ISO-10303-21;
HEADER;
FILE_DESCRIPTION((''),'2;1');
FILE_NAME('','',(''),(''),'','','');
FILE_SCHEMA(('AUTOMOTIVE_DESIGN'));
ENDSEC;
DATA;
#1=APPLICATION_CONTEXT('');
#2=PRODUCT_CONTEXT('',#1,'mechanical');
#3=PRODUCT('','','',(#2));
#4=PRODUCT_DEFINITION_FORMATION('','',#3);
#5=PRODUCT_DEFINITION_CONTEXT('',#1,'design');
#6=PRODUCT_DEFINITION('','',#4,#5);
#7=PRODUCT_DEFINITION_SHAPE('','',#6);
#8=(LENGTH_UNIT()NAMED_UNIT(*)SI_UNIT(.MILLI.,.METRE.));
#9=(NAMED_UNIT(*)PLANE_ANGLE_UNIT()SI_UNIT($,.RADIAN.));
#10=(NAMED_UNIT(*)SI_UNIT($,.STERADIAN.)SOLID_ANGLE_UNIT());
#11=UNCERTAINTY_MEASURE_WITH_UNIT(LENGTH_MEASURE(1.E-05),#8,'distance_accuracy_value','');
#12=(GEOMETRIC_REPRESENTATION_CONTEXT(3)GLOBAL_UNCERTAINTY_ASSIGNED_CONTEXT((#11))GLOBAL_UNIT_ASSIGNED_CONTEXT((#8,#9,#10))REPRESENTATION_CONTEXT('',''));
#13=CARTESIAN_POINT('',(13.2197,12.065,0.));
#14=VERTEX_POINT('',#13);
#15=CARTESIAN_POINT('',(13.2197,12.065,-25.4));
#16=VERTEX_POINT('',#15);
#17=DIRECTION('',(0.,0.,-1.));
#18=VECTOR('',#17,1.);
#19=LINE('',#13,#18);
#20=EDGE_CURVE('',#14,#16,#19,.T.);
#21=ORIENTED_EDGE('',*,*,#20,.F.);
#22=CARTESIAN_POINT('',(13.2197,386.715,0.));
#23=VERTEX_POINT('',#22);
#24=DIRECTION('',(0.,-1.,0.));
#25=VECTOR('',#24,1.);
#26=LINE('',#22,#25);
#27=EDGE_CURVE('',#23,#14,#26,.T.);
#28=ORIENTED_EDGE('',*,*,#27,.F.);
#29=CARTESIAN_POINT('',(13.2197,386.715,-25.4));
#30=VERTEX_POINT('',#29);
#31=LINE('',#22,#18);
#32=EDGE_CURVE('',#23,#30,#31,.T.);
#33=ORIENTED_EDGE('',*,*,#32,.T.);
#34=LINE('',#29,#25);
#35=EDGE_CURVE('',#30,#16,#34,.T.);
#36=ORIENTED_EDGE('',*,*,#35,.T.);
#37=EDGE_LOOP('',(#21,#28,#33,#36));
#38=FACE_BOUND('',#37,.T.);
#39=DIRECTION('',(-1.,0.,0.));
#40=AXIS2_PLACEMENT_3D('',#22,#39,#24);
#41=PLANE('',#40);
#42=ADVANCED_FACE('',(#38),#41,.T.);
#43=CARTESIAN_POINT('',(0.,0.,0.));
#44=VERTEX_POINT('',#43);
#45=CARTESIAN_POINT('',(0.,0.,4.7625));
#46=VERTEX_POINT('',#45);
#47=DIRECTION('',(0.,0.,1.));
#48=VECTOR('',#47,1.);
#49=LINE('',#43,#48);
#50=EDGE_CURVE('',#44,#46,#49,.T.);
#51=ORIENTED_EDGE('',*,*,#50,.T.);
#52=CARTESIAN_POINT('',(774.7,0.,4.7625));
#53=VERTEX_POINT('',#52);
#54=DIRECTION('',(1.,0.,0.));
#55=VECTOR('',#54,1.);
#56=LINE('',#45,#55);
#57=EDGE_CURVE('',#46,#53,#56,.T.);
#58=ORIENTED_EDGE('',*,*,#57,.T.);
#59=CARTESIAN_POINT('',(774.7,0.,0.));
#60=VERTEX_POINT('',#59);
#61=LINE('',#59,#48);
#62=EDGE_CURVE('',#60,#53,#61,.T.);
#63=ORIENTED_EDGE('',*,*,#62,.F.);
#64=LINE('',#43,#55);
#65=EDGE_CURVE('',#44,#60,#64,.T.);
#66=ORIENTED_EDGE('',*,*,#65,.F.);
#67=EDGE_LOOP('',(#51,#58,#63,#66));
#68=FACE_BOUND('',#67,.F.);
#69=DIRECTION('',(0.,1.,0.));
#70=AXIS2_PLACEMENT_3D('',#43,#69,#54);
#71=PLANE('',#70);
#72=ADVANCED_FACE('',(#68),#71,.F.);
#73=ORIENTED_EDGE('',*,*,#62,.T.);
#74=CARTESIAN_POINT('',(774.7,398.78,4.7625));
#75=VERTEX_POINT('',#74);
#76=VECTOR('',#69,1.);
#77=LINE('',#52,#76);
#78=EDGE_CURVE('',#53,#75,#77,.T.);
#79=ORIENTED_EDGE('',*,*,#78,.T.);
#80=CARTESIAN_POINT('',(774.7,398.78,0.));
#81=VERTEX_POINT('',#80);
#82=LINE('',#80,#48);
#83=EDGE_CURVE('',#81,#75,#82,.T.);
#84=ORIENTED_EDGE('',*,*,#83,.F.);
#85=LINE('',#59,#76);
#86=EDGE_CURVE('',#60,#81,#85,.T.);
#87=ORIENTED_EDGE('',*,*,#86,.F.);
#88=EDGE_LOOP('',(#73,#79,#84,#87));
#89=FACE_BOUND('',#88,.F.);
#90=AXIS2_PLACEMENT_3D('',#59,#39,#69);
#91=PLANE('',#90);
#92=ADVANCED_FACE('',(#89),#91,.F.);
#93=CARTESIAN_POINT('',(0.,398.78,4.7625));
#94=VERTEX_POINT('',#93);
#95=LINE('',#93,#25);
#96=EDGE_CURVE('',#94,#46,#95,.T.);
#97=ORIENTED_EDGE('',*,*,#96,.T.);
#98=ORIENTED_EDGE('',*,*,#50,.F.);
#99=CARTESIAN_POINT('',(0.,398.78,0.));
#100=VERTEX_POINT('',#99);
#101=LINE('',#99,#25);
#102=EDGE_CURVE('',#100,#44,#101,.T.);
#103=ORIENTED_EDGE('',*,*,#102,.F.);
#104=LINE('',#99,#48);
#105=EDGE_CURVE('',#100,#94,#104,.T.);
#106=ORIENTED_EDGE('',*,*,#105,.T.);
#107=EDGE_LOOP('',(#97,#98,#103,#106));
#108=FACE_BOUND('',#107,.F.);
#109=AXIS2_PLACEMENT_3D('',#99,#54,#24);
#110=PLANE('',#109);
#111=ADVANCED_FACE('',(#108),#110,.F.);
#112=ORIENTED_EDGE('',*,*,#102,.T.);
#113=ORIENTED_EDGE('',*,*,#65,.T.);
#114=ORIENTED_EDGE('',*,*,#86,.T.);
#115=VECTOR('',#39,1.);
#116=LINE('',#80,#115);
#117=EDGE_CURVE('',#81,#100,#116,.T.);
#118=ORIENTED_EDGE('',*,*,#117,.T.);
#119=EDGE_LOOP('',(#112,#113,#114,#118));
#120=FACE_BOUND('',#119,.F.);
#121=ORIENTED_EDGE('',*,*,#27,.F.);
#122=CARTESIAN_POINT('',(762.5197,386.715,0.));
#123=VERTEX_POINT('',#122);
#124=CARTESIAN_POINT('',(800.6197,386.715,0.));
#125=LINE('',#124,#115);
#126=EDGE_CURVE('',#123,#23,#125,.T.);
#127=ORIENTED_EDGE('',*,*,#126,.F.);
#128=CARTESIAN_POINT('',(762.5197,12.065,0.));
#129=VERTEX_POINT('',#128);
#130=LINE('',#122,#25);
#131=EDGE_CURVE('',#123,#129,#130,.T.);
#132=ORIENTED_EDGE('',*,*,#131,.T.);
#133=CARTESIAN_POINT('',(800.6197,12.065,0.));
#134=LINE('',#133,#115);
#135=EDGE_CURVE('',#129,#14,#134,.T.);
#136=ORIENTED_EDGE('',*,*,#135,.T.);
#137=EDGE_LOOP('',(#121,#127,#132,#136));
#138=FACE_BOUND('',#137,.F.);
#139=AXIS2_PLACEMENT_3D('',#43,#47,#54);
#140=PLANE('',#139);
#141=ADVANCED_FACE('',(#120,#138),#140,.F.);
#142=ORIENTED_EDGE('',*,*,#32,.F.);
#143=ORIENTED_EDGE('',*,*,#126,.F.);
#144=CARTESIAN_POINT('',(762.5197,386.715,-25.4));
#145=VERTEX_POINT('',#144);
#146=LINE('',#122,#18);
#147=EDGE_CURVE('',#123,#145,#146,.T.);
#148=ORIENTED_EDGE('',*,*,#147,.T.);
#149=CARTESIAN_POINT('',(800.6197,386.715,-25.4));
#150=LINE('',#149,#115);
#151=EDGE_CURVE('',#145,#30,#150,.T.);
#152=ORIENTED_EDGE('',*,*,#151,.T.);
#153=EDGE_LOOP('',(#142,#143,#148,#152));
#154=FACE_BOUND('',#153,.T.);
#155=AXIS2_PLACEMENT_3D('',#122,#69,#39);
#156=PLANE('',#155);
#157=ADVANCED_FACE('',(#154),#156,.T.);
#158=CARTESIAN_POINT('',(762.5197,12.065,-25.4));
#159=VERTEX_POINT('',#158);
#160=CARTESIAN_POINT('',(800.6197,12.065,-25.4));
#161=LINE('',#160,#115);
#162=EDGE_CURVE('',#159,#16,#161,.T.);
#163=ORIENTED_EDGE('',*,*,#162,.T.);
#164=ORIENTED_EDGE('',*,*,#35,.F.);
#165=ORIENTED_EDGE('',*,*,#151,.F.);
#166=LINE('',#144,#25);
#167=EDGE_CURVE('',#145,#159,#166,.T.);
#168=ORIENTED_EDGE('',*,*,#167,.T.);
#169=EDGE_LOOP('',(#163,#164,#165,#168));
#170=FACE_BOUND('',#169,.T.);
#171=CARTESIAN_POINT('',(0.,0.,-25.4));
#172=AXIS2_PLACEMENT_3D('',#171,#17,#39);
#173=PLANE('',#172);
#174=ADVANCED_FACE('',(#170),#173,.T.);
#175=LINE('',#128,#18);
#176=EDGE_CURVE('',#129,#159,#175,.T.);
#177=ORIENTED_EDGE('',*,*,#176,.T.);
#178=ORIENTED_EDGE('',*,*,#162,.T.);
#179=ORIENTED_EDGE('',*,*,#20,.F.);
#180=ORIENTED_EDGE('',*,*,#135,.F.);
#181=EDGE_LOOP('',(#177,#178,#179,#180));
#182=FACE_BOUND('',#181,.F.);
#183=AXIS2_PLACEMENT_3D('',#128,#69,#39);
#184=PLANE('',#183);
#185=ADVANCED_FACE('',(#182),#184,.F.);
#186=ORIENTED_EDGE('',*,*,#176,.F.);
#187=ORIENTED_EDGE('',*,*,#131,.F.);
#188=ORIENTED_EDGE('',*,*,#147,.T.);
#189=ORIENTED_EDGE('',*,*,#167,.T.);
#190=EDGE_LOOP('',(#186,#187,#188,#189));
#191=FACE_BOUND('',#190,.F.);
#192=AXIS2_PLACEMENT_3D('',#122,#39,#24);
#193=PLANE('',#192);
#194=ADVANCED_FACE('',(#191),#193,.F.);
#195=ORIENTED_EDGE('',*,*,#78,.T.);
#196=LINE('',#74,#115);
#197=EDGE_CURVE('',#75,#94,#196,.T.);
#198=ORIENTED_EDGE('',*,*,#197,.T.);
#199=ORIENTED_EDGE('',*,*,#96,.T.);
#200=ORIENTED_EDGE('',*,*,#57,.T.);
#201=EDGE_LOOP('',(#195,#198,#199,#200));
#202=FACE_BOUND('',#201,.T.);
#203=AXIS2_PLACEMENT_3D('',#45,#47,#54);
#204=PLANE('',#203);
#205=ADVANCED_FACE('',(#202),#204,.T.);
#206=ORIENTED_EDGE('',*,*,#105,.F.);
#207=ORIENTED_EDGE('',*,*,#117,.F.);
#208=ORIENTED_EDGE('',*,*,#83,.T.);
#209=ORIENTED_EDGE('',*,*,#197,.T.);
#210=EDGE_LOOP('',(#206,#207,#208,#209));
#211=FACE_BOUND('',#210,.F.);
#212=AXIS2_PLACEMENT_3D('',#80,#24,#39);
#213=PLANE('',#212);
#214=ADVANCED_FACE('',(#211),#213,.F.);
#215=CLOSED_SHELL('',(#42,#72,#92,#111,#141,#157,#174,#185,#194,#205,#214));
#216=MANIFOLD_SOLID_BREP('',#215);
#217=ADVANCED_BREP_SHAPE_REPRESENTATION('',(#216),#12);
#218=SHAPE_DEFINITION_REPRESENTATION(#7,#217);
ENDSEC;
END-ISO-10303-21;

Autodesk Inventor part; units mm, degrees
ref_plane "YZ Plane" through (0, 0, 0) normal (1, 0, 0) x (0, 1, 0)
ref_plane "XZ Plane" through (0, 0, 0) normal (0, 1, 0) x (-1, 0, 0)
ref_plane "XY Plane" through (0, 0, 0) normal (0, 0, 1) x (1, 0, 0)
sketch "Sketch1" plane through (0, 0, 0) normal (0, 0, 1) x (1, 0, 0)
  line L0 (0, 0) -> (774.7, 0)
  line L1 (774.7, 0) -> (774.7, 398.78)
  line L2 (774.7, 398.78) -> (0, 398.78)
  line L3 (0, 398.78) -> (0, 0)
  dimension "d2" = 774.7
  dimension "d3" = 398.78
extrude "Extrusion1" add sketch "Sketch1" along normal blind 4.7625
sketch "Sketch2" plane through (0, 0, 0) normal (0, 0, -1) x (-1, 0, 0)
  line L0 (-800.6197, 386.715) -> (24.8803, 386.715) projected
  line L1 (-13.2197, 386.715) -> (-13.2197, 12.065) projected
  line L2 (-800.6197, 12.065) -> (24.8803, 12.065) projected
  line L3 (-762.5197, 386.715) -> (-762.5197, 12.065) projected
  line L4 (-13.2197, 12.065) -> (-762.5197, 12.065)
  line L5 (-762.5197, 12.065) -> (-762.5197, 386.715)
  line L6 (-762.5197, 386.715) -> (-13.2197, 386.715)
  line L7 (-13.2197, 386.715) -> (-13.2197, 12.065)
  point P0 (0, 0)
extrude "Extrusion2" add sketch "Sketch2" along normal blind 25.4
properties part number "gatorboard_01875in_front_door"
